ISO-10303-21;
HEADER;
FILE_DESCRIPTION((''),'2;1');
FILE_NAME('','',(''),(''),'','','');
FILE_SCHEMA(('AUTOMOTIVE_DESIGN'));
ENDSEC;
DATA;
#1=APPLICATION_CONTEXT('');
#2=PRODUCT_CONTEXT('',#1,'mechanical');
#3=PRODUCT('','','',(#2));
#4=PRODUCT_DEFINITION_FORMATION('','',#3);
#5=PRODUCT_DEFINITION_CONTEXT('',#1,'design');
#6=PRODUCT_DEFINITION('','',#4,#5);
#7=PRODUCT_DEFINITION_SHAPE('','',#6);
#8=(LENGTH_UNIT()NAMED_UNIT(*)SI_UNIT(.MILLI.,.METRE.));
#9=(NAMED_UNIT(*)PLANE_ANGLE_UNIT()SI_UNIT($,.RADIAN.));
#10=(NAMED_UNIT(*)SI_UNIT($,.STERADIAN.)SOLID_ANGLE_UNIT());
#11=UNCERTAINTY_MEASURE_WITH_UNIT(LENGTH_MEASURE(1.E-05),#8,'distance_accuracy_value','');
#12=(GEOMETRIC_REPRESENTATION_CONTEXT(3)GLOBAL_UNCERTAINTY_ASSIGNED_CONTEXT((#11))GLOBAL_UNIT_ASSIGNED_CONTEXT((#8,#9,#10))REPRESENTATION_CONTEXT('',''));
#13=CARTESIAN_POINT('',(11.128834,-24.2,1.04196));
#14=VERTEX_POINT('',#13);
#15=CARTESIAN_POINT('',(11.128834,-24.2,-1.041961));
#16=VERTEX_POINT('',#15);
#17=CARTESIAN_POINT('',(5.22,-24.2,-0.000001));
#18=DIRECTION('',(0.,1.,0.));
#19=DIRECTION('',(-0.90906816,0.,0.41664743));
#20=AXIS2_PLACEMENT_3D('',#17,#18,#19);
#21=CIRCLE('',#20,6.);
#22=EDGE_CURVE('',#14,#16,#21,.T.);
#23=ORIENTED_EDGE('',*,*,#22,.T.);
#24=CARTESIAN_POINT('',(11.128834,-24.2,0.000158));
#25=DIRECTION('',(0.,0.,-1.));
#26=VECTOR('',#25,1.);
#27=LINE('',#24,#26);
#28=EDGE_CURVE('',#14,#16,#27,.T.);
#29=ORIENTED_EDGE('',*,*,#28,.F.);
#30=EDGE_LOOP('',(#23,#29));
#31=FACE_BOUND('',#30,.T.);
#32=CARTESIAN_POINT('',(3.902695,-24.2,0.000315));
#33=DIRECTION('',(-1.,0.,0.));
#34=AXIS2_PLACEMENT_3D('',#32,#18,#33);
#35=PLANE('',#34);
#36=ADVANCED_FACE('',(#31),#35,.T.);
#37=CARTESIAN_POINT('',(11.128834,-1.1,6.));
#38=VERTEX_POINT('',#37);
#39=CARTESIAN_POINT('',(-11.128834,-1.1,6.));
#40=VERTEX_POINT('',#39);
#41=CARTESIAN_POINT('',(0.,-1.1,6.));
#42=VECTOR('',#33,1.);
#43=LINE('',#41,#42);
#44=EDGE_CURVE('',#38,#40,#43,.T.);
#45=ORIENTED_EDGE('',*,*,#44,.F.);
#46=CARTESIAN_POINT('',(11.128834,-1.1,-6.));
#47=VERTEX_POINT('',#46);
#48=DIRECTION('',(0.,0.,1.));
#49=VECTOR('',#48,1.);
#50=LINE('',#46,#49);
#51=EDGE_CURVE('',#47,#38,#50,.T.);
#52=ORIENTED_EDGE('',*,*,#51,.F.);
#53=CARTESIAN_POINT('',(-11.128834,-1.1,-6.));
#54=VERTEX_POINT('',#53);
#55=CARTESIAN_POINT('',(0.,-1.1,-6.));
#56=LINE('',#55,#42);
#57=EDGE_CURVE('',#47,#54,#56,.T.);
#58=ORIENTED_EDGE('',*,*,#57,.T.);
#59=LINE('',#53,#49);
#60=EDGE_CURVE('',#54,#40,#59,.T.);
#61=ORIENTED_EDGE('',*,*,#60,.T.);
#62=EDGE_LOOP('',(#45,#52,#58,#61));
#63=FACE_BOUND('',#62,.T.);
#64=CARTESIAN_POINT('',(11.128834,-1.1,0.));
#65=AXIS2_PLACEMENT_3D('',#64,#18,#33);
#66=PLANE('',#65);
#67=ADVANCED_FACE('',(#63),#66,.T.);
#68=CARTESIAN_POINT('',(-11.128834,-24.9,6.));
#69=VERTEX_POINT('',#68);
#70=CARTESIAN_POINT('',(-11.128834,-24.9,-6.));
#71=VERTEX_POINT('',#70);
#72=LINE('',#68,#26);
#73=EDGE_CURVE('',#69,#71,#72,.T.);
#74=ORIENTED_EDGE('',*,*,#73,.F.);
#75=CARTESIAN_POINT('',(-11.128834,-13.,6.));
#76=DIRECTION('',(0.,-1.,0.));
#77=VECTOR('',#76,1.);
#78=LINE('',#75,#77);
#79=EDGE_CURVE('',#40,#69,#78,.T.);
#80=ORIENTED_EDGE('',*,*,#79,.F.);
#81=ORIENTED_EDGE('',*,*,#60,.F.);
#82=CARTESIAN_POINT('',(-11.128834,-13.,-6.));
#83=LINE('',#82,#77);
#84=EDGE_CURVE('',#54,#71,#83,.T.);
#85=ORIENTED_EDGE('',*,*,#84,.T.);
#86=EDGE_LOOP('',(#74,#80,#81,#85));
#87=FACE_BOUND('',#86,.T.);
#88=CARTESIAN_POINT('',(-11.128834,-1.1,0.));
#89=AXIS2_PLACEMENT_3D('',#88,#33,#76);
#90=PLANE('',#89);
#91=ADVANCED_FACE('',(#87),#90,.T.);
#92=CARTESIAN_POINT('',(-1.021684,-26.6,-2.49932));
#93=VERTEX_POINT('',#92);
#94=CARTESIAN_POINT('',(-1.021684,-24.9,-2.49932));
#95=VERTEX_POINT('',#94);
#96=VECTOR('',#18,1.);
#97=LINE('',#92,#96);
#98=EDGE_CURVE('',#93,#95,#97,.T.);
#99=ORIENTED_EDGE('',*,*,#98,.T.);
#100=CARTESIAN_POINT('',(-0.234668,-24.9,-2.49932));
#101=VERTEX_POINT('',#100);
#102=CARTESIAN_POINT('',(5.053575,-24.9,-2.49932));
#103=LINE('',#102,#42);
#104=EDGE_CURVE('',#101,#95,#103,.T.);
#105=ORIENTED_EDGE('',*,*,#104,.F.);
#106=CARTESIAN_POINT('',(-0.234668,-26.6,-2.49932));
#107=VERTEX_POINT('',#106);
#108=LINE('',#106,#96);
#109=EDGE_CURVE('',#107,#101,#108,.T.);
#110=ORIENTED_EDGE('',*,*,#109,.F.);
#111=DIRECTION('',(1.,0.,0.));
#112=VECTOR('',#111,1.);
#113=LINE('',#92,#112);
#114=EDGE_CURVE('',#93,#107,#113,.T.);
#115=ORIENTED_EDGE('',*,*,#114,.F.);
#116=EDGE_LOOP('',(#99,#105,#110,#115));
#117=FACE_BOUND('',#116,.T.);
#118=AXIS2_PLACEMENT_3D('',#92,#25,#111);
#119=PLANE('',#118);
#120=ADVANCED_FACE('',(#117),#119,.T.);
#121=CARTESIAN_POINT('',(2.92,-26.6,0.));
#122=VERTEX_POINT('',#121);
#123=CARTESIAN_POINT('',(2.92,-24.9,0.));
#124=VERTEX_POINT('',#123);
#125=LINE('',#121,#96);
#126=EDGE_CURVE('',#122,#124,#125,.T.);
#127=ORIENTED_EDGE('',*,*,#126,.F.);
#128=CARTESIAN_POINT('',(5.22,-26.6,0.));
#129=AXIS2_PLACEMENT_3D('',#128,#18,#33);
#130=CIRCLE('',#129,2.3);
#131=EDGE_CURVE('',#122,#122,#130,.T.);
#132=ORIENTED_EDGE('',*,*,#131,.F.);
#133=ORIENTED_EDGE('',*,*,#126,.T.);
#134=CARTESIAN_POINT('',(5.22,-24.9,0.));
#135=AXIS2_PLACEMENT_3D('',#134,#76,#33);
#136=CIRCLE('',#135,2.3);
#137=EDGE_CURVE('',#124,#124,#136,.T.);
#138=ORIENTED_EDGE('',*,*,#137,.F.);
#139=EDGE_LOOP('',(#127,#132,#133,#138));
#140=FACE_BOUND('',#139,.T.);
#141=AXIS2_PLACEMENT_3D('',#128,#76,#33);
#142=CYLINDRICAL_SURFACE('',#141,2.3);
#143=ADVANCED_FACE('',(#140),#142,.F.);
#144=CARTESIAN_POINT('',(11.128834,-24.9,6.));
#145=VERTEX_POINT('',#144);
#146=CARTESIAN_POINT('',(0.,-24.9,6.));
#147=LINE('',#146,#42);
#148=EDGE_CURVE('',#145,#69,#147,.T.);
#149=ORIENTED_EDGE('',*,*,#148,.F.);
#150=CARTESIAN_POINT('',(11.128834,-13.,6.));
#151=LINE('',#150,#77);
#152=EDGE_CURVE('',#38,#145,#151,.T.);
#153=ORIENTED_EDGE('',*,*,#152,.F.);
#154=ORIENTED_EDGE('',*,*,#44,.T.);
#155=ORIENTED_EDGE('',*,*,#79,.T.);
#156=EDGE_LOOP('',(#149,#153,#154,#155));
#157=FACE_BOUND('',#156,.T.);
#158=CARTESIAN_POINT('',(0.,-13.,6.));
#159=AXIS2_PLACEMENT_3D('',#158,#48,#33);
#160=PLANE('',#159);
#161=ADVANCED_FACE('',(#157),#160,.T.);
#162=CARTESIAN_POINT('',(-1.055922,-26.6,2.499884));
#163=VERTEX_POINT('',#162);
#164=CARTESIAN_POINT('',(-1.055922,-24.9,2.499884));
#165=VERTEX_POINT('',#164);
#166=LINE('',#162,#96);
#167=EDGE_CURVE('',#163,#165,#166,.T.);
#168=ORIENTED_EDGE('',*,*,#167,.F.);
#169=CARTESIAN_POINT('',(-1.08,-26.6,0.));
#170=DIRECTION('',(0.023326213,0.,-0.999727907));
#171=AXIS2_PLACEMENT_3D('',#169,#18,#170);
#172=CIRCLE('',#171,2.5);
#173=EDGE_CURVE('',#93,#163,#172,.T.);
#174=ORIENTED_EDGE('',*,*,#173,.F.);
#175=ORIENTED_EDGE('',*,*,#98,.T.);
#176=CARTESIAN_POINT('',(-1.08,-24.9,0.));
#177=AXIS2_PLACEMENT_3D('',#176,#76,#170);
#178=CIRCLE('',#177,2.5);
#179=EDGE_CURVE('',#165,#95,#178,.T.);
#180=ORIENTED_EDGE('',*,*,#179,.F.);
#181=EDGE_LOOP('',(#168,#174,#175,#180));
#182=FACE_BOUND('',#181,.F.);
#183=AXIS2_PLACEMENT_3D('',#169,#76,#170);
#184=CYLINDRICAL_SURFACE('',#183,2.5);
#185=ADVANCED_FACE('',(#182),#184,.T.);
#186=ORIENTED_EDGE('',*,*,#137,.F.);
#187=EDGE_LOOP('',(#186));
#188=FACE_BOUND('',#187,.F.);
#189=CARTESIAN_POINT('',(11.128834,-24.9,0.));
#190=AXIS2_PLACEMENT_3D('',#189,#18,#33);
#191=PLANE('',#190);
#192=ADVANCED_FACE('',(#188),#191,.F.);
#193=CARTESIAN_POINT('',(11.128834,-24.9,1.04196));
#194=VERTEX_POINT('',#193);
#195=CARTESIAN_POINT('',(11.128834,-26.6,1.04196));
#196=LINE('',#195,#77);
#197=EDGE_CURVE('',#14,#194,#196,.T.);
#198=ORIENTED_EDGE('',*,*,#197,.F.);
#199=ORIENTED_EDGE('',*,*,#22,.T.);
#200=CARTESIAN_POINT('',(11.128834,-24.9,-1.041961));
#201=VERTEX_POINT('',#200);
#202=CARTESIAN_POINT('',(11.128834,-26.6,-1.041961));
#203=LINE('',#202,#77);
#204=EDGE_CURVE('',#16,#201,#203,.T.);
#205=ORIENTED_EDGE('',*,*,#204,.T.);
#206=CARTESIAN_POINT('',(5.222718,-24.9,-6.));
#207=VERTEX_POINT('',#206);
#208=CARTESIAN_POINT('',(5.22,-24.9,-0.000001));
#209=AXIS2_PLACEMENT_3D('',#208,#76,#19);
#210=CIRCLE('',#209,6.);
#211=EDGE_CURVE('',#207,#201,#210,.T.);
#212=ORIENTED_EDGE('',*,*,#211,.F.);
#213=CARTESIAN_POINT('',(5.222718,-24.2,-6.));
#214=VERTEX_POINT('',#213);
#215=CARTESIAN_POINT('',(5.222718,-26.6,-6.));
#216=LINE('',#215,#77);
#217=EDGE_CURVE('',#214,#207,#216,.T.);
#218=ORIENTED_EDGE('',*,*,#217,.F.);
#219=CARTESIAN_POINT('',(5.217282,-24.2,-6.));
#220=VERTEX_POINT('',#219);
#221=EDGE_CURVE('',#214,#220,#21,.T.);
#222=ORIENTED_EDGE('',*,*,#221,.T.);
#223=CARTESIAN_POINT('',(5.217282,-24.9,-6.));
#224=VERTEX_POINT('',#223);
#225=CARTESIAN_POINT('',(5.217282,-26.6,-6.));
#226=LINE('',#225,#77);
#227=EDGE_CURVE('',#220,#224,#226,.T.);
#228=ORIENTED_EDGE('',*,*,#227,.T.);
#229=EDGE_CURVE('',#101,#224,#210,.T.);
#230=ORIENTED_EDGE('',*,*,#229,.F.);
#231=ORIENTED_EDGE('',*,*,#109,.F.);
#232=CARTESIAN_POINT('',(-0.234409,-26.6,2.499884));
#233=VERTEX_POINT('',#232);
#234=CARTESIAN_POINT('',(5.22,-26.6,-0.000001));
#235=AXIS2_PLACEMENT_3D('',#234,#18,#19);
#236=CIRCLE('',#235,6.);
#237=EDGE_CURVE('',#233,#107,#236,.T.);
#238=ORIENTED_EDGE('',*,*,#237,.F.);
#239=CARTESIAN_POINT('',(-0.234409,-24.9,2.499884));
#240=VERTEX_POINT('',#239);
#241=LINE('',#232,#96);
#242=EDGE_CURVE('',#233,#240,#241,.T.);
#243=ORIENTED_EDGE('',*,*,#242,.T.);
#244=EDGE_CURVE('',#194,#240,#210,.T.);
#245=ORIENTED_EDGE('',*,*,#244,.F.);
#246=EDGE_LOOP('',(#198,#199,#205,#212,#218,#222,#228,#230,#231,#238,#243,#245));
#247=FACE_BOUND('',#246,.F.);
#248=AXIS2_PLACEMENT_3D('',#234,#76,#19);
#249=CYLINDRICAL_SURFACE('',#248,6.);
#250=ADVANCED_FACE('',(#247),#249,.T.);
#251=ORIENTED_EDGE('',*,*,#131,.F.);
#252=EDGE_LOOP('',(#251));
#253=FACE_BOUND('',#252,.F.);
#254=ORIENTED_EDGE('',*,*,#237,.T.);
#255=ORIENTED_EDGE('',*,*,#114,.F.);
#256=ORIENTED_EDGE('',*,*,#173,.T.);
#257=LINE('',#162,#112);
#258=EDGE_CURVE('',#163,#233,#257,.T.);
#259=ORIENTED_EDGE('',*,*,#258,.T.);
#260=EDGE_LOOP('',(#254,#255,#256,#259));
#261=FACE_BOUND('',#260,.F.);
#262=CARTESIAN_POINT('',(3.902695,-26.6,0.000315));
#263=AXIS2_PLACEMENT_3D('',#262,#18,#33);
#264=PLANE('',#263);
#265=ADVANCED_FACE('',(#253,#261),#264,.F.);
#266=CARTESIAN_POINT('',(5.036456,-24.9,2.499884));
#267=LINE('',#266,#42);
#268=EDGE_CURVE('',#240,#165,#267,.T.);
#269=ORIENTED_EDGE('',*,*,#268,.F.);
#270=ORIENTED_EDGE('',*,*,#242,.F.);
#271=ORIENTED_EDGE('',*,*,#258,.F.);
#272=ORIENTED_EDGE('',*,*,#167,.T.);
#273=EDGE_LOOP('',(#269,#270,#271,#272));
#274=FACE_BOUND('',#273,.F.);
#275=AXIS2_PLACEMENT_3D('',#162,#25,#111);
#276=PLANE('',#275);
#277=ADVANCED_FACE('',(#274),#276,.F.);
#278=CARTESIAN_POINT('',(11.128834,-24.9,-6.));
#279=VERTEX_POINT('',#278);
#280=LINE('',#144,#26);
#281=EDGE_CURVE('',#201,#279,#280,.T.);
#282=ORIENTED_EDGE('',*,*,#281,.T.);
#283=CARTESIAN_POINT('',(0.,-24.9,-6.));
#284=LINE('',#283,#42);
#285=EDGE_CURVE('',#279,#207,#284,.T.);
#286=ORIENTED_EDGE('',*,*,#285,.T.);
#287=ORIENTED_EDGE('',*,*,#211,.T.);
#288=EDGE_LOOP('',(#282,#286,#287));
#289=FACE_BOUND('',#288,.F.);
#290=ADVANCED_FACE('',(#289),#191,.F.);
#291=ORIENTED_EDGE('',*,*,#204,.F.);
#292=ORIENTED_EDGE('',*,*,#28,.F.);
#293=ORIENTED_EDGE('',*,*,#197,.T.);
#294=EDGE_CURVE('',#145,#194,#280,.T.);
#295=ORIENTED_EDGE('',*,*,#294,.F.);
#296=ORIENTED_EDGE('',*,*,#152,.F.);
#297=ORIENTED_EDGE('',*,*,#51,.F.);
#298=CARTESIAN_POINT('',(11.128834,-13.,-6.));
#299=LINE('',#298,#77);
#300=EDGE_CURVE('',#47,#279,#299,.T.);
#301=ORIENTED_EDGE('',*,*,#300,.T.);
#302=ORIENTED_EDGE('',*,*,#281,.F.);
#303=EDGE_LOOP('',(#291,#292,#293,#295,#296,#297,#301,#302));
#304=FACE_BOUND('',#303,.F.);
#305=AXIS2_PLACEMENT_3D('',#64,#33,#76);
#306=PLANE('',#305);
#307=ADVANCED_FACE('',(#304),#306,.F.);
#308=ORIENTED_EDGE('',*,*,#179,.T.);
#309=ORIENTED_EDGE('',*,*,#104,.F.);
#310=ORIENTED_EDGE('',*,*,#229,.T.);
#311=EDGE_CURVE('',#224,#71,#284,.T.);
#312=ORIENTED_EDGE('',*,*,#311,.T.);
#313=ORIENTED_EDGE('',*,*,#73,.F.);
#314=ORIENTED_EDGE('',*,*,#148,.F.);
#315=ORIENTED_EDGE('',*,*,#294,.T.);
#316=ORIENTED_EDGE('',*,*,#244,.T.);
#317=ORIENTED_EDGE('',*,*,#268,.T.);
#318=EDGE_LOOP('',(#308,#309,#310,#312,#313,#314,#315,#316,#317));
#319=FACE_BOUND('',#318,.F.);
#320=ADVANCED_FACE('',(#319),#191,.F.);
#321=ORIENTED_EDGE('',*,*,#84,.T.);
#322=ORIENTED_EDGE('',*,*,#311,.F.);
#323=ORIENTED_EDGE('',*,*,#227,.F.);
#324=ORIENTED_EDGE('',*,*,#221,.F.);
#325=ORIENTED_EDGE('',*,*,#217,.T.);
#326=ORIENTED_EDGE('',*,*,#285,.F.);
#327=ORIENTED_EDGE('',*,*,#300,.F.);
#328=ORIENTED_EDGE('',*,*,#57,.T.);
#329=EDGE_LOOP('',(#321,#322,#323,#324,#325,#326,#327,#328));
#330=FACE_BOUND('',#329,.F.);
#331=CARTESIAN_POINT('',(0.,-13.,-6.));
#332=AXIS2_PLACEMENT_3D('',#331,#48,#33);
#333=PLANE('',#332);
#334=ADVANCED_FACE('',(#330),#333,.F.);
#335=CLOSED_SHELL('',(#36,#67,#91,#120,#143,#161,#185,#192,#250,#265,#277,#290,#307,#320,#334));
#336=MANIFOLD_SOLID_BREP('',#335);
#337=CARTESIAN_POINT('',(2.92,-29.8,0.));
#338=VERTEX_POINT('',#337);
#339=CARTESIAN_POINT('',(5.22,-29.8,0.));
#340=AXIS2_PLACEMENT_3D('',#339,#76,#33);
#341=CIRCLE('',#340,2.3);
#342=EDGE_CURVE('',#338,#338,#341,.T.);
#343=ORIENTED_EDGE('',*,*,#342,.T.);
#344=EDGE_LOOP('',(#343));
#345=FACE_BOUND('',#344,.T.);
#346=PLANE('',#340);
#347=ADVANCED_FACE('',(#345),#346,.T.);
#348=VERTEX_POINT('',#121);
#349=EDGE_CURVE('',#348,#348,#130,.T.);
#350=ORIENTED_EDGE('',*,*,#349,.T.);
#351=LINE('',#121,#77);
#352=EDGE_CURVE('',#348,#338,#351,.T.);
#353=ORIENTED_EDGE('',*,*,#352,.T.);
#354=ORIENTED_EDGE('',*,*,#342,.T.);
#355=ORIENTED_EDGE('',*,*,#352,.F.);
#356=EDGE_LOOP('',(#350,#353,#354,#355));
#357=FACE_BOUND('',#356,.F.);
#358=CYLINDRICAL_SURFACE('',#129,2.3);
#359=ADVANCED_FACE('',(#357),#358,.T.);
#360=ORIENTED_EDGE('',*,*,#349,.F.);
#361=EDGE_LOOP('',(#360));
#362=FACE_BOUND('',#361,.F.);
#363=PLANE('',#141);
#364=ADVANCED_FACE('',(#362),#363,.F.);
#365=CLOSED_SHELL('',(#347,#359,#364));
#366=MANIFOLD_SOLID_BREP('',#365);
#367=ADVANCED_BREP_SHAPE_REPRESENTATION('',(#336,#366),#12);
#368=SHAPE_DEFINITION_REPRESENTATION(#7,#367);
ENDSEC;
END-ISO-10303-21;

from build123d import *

# Parameters (mm, degrees)
SKETCH003_R             = 2.3
PAD003_DEPTH            = 2.4
CYLINDER_R              = 2.3
CYLINDER_DEPTH          = 3.2
SKETCH_W                = 22.257668
SKETCH_H                = 23.8
PAD_DEPTH               = 6
FUSION_PLACEMENT_ANGLE  = 180
BODY022_PLACEMENT_ANGLE = 180


with BuildPart() as body001:
    # Sketch003 → Pad003 (new body)
    with BuildSketch(Plane.XZ):
        with BuildLine():
            ThreePointArc((0.454409, 2.499884), (-11, -0.00031), (0.454668, -2.49932))
            Line((1.241684, -2.49932), (0.454668, -2.49932))
            ThreePointArc((1.241684, -2.49932), (3.799941, -0.017121), (1.275922, 2.499884))
            Line((1.275922, 2.499884), (0.454409, 2.499884))
        make_face()
        with Locations((-5, 0)):
            Circle(SKETCH003_R, mode=Mode.SUBTRACT)
    extrude(amount=PAD003_DEPTH)


with BuildPart() as body001_1:
    # Body001 placement: moved
    add(body001.part.moved(Location((-0.22, 13.6, 0))))


with BuildPart() as cylinder:
    # Cylinder → Cylinder (new body)
    with BuildSketch(Plane(origin=(-5.22, 13.6, 0), x_dir=(1, 0, 0), z_dir=(0, 1, 0))):
        Circle(CYLINDER_R)
    extrude(amount=CYLINDER_DEPTH)


with BuildPart() as servo9gright:
    # Sketch → Pad (new body, symmetric)
    with BuildSketch(Plane.XY):
        Rectangle(SKETCH_W, SKETCH_H)
    extrude(amount=PAD_DEPTH, both=True)

    # Fusion: union Body001, Cylinder
    add(body001_1.part)
    add(cylinder.part)


with BuildPart() as servo9gright_1:
    # Fusion placement: moved
    add(servo9gright.part.moved(Location((0, 13, 0))).rotate(Axis((0, 13, 0), (0, 1, 0)), FUSION_PLACEMENT_ANGLE))


with BuildPart() as servo9gright_2:
    # Clone placement: moved
    add(servo9gright_1.part.moved(Location((0, -1, 0))))


with BuildPart() as servo9gright_3:
    # Body022 placement: moved
    add(servo9gright_2.part.moved(Location((0, -1, 0))).rotate(Axis((0, -1, 0), (1, 0, 0)), BODY022_PLACEMENT_ANGLE))


solid = servo9gright_3.part
